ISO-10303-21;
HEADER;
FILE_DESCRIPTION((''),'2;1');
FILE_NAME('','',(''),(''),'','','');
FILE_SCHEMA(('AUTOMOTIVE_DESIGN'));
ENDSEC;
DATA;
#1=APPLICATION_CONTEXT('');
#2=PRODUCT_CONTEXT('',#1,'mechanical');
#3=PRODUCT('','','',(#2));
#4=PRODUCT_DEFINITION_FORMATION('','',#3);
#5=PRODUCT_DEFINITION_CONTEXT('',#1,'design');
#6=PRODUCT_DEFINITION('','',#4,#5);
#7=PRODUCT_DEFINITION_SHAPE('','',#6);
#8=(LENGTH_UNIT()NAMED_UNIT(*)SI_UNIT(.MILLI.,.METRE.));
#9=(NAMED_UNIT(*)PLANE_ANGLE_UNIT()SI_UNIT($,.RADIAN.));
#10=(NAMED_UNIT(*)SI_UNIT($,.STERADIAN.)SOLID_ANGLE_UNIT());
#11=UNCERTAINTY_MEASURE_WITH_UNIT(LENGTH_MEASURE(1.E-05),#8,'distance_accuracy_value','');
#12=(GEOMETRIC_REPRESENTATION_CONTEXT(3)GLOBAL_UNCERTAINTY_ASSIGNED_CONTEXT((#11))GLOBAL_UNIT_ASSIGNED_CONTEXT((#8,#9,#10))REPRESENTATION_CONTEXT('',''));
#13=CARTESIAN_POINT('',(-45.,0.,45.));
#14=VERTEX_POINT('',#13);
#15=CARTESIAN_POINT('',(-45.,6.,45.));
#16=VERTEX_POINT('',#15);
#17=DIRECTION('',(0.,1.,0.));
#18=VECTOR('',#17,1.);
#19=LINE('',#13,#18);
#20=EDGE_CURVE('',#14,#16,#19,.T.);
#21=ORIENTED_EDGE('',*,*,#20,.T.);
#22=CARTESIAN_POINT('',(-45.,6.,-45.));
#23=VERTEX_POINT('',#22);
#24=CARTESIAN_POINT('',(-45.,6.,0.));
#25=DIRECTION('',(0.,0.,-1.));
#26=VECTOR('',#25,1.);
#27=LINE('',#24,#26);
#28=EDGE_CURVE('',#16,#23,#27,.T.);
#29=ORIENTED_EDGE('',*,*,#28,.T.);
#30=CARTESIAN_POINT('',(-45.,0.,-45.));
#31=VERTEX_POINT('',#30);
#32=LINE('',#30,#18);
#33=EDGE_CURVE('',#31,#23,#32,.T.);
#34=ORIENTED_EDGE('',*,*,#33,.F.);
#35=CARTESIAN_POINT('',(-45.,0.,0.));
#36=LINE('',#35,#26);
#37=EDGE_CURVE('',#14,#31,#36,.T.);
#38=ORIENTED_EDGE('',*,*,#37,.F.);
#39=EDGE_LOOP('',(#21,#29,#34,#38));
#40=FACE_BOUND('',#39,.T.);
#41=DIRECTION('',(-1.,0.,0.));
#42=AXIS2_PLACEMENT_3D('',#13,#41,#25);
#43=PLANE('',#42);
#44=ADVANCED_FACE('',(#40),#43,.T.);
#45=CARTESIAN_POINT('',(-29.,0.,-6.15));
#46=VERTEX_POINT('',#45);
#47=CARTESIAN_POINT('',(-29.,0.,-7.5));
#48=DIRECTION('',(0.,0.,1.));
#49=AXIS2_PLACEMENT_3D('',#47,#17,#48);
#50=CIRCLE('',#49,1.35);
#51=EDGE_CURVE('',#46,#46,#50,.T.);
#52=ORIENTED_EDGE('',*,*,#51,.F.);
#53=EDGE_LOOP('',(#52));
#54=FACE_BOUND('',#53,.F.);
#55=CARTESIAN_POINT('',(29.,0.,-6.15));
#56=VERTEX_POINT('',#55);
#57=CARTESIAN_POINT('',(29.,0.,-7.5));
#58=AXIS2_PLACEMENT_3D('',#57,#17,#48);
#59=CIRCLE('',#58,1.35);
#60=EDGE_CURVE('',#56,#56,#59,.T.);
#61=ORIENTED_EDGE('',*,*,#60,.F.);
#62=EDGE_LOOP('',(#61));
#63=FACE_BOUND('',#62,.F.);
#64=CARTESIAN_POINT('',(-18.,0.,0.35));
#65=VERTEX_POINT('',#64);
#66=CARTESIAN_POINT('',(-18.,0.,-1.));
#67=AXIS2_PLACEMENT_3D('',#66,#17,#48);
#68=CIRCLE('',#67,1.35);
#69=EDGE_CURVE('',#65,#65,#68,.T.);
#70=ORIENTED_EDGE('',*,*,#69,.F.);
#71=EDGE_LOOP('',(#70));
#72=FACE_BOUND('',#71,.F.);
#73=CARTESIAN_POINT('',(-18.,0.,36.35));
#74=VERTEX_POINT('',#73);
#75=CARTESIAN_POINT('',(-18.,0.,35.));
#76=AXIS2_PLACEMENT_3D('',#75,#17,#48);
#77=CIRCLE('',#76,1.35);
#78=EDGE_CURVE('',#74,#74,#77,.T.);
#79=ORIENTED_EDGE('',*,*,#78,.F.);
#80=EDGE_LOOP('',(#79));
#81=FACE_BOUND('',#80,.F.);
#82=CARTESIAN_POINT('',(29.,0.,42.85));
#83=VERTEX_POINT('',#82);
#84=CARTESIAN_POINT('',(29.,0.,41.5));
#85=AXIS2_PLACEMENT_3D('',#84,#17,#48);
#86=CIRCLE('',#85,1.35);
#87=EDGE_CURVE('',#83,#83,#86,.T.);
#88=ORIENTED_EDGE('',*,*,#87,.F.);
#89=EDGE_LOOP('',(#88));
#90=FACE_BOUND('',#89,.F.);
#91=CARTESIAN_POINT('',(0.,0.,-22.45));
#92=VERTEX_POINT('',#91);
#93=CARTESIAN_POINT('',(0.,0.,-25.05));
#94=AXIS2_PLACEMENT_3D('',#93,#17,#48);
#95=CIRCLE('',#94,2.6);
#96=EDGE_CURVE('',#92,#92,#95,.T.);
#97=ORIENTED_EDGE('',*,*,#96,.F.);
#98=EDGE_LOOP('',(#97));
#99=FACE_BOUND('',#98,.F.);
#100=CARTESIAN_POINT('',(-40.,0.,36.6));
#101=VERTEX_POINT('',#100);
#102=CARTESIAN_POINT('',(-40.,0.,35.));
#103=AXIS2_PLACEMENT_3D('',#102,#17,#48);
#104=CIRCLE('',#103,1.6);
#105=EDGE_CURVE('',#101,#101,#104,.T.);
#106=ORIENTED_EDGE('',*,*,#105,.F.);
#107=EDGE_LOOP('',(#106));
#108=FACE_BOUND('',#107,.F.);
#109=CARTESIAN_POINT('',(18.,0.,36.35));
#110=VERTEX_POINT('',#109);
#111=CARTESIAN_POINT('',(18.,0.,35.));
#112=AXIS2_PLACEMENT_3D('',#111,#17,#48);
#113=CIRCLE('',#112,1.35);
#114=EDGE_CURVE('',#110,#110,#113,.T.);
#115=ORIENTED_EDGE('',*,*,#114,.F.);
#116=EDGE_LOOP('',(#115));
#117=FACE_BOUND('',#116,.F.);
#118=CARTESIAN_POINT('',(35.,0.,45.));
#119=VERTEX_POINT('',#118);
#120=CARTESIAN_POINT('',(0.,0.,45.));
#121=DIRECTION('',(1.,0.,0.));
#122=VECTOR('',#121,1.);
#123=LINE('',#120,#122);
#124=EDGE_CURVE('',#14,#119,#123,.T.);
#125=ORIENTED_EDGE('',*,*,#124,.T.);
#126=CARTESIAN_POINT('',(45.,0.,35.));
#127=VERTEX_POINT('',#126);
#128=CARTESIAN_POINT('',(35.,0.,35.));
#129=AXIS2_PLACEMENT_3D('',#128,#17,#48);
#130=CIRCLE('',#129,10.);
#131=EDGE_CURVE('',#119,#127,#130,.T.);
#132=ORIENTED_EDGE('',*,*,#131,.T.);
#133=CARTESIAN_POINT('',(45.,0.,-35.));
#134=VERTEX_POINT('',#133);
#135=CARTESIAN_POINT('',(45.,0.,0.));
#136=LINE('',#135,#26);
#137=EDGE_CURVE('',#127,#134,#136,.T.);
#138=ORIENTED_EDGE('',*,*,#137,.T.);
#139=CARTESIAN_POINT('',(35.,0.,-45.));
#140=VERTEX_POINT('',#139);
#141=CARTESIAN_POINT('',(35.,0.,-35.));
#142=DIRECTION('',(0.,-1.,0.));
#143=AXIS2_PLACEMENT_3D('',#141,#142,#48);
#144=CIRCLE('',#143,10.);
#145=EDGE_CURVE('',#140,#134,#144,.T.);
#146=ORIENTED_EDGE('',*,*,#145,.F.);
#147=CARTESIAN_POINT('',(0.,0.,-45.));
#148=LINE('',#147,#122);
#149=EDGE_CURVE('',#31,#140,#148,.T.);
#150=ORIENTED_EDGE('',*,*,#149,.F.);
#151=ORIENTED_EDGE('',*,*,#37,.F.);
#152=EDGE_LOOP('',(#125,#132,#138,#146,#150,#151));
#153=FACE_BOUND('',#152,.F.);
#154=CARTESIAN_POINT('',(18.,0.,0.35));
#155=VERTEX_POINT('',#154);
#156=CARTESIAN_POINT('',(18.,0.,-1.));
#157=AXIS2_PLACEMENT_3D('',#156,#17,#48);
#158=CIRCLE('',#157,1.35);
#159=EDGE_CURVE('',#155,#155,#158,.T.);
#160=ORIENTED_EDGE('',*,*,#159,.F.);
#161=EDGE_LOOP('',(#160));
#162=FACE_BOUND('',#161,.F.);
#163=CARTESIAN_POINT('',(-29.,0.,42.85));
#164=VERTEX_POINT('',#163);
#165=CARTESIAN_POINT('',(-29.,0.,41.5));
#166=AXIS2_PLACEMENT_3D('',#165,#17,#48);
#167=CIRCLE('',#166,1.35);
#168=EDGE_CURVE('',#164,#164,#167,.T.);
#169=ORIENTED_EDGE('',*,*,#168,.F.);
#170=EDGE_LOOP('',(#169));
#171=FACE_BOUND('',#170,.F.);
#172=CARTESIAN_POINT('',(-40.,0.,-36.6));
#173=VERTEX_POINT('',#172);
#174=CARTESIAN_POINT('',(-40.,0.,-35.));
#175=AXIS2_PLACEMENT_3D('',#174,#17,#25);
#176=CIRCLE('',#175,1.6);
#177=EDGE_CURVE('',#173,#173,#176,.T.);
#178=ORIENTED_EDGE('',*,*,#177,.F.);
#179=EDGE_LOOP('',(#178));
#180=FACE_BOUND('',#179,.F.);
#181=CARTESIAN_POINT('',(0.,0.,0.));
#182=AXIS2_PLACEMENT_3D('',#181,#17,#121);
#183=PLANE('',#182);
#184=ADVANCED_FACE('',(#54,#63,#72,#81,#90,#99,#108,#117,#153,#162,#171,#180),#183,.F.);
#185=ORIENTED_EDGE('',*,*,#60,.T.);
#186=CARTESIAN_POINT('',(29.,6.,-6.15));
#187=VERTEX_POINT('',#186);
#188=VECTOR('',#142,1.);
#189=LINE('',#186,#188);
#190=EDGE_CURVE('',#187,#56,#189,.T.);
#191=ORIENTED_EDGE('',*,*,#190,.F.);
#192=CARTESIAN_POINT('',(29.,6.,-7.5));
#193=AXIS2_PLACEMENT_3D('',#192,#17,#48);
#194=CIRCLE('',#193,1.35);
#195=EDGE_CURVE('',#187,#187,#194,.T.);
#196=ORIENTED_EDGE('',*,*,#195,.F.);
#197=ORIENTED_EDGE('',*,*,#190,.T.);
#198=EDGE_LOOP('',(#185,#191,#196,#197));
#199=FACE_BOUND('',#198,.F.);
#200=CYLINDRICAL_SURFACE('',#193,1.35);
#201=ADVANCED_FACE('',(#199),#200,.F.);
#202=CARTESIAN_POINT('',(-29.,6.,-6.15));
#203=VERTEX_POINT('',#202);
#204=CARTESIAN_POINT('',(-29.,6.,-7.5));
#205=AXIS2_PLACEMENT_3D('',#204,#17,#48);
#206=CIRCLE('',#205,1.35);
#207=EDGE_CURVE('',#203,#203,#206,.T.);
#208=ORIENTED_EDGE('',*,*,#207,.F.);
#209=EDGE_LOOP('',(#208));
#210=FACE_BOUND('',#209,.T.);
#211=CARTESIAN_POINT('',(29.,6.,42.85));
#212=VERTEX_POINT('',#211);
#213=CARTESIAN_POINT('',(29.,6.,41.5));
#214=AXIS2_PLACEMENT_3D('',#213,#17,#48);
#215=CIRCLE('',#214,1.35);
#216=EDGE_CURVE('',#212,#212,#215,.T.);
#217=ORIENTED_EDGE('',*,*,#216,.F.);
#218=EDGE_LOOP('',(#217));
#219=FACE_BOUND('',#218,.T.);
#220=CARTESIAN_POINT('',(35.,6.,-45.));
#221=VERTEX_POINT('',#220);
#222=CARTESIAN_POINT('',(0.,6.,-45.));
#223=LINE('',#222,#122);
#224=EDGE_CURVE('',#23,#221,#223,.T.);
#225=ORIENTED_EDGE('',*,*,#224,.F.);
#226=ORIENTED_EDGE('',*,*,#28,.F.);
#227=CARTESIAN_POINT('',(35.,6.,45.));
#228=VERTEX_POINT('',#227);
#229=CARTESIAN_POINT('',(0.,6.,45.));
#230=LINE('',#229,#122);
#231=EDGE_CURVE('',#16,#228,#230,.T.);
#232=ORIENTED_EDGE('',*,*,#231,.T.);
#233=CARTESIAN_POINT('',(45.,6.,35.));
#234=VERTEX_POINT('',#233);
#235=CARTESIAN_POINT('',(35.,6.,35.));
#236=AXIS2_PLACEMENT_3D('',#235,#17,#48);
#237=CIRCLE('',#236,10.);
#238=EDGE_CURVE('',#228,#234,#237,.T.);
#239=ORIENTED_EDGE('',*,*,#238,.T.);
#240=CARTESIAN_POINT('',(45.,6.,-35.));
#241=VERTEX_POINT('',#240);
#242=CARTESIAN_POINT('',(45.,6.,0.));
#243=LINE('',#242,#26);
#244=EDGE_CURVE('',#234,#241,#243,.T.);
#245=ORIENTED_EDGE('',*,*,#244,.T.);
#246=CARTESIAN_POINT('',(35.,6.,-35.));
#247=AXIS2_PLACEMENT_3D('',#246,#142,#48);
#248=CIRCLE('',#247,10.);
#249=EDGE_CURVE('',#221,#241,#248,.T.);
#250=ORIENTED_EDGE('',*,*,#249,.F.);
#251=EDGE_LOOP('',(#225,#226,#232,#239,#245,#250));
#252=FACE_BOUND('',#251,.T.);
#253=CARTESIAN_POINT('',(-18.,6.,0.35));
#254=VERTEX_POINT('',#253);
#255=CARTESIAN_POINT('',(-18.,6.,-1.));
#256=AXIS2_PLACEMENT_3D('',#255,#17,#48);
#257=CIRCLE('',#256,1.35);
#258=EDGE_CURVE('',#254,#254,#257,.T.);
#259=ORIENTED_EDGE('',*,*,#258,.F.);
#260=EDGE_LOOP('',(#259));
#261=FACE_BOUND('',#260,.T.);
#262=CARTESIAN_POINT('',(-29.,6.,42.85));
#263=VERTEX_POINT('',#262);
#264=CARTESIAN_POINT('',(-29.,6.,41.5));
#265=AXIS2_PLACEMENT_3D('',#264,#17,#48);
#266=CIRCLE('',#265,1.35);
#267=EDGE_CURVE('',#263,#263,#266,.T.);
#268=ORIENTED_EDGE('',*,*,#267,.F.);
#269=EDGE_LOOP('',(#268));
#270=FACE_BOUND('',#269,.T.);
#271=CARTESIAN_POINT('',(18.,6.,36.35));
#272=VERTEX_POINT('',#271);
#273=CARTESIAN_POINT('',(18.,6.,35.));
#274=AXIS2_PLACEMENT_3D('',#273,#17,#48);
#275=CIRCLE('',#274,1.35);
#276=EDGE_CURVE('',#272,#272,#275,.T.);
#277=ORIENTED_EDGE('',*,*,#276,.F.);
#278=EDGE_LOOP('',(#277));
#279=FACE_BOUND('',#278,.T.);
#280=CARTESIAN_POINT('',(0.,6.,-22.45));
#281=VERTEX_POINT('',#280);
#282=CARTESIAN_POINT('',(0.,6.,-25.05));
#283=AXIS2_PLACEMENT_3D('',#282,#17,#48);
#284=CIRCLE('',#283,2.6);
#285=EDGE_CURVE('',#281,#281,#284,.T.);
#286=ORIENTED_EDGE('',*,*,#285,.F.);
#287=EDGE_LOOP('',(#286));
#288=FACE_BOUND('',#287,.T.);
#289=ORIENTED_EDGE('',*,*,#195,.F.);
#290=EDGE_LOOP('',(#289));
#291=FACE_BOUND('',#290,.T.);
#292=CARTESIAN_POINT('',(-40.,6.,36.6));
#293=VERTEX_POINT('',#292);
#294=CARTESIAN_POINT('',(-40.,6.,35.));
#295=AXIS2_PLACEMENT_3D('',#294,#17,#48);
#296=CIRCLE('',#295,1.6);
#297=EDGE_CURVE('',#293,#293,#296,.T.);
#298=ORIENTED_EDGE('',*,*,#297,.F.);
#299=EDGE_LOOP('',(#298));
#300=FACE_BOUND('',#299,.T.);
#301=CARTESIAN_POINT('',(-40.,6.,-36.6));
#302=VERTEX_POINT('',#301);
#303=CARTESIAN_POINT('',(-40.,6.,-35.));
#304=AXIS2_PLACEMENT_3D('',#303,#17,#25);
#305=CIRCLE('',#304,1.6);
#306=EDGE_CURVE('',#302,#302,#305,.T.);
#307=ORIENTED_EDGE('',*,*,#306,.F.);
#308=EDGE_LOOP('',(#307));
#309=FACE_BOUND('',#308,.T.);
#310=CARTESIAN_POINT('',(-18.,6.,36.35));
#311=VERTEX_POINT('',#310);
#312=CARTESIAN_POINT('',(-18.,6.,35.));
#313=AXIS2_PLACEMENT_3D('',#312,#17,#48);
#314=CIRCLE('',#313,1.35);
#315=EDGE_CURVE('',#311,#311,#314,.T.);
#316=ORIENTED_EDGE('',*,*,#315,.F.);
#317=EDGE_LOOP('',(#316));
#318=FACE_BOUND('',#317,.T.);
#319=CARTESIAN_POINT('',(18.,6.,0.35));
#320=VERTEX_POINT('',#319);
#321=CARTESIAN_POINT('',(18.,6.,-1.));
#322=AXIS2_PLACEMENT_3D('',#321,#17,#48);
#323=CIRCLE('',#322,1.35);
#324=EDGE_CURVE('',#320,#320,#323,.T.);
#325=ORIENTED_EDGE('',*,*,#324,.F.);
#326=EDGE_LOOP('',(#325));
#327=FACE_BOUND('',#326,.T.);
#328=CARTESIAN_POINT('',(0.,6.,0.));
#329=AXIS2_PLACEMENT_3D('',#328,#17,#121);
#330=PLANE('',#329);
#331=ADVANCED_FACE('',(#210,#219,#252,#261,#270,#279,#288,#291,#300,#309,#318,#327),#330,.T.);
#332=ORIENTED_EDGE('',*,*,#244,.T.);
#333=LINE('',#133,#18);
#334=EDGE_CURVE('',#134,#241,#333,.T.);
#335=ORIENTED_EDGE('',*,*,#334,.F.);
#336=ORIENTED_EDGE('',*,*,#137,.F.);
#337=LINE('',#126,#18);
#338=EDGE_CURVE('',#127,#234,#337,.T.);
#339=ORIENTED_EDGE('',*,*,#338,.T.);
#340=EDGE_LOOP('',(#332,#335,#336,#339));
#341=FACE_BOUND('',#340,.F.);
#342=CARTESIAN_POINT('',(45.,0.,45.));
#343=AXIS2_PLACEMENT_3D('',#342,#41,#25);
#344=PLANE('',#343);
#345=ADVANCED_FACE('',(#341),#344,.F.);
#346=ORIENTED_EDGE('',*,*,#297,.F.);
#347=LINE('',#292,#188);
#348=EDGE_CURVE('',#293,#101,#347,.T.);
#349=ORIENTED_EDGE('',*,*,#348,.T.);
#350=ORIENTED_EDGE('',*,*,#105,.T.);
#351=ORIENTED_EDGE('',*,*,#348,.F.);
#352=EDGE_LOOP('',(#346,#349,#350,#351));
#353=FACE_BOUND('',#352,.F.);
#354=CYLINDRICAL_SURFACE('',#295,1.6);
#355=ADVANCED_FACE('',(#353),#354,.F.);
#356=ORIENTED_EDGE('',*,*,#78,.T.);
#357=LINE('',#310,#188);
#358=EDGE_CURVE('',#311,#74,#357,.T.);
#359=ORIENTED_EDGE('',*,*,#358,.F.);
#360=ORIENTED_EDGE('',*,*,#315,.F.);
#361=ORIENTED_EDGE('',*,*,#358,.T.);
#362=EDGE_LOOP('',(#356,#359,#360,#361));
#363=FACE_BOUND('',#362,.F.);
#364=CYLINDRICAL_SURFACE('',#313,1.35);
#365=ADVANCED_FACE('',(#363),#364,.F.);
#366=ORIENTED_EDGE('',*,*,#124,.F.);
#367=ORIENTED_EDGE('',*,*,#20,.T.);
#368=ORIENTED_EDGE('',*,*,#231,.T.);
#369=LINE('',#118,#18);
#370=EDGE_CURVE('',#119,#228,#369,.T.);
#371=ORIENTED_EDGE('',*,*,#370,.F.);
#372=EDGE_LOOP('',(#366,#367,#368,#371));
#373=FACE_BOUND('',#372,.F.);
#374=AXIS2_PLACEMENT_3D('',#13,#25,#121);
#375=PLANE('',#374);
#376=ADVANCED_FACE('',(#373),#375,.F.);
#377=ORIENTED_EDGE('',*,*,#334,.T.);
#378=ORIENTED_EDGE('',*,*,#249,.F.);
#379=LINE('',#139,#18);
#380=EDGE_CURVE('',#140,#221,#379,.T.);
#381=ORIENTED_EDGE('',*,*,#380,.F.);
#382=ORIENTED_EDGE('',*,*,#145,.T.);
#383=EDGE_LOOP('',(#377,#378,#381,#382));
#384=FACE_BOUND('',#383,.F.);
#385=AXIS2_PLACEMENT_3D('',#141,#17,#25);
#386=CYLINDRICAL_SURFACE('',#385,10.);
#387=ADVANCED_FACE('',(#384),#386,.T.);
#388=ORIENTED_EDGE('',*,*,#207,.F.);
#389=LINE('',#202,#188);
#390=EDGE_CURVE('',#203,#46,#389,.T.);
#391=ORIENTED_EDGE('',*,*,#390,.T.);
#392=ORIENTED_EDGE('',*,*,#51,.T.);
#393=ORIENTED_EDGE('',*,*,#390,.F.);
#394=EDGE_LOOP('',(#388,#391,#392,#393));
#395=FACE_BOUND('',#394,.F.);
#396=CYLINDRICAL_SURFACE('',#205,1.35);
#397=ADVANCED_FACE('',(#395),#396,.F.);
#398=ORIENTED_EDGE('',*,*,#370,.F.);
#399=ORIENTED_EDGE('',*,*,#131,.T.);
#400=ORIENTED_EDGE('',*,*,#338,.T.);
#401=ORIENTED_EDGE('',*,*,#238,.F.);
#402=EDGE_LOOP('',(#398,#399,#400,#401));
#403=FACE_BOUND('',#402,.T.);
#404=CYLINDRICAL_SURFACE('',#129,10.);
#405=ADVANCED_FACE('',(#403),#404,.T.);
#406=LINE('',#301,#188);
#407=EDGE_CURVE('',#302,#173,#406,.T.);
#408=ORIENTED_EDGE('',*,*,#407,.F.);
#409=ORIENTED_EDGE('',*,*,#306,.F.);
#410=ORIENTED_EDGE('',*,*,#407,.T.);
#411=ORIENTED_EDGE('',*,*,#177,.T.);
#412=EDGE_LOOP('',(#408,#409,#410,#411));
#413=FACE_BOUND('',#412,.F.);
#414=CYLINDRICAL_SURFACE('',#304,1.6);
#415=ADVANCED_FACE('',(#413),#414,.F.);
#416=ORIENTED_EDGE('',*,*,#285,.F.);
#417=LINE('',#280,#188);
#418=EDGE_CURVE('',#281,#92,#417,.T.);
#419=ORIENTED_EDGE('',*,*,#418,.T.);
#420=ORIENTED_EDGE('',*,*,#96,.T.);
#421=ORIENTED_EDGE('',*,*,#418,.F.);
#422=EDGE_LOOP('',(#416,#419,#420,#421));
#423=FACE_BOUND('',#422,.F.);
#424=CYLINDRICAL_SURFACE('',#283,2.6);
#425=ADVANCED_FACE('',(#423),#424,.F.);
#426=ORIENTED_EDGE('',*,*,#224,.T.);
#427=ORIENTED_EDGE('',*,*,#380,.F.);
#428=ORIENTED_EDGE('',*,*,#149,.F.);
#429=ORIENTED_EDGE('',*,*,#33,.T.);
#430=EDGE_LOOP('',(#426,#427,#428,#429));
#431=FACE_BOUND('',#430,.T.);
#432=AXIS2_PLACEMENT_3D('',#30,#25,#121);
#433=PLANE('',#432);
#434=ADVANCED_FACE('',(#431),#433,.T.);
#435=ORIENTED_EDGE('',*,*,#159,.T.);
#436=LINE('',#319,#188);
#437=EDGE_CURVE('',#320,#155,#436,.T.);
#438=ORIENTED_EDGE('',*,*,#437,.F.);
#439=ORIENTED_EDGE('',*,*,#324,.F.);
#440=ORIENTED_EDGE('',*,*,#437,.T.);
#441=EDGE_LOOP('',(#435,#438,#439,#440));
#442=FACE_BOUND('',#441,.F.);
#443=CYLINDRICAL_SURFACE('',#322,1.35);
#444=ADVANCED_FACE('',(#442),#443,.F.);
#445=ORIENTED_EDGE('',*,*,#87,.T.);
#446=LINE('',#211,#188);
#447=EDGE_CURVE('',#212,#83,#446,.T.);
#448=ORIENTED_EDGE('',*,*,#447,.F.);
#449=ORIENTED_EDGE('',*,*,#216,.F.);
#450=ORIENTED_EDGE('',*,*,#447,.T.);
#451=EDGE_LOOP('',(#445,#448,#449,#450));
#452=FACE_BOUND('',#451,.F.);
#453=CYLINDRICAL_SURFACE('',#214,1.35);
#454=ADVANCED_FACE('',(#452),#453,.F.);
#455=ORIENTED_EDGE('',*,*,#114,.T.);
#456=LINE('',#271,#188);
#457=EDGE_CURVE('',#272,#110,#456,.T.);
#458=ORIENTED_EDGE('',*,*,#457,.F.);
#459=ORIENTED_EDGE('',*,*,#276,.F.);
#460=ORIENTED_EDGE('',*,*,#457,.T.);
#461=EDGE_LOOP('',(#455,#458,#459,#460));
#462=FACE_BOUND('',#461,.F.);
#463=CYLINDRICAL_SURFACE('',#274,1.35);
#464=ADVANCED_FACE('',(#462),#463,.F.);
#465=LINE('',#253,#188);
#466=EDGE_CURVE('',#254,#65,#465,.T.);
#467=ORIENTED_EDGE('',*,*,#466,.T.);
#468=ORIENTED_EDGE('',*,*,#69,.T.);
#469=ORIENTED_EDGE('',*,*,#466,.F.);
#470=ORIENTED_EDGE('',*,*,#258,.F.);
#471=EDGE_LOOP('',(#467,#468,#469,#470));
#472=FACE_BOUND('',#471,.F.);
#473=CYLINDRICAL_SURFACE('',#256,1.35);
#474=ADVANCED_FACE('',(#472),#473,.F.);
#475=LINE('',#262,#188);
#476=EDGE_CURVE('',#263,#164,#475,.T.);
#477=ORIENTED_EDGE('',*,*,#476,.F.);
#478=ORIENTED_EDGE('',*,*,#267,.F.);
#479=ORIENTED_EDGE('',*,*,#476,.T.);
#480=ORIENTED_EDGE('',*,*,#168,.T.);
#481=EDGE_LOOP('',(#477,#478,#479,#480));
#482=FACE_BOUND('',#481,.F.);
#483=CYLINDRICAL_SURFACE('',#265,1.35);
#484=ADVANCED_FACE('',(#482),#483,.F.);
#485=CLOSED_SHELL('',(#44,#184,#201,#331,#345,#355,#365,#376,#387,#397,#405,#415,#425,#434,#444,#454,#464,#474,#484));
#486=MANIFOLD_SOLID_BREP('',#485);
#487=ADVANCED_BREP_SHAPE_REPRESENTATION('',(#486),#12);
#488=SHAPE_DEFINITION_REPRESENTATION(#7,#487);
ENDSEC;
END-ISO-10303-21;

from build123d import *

# Parameters (mm, degrees)
SKETCH_1_W          = 90
SKETCH_1_H          = 90
EXTRUDE_1_DEPTH     = 6
SKETCH_2_R          = 1.35
CUT_EXTRUDE_1_DEPTH = 6
SKETCH_3_R          = 2.6
CUT_EXTRUDE_2_DEPTH = 6
SKETCH_4_R          = 1.6
CUT_EXTRUDE_3_DEPTH = 6
FILLET_1_R          = 10


with BuildPart() as part:
    # 草图1 → 凸台-拉伸1 (new body)
    with BuildSketch(Plane(origin=(0, 0, 0), x_dir=(1, 0, 0), z_dir=(0, 1, 0))):
        Rectangle(SKETCH_1_W, SKETCH_1_H)
    extrude(amount=EXTRUDE_1_DEPTH)

    # 草图2 → 切除-拉伸1 (cut)
    with BuildSketch(Plane(origin=(0, 6, 0), x_dir=(1, 0, 0), z_dir=(0, 1, 0))):
        with Locations(Location((-29, 7.5, 0), (0, 0, 270))):
            Circle(SKETCH_2_R)
        with Locations(Location((-29, -41.5, 0), (0, 0, 270))):
            Circle(SKETCH_2_R)
        with Locations(Location((-18, 1, 0), (0, 0, 270))):
            Circle(SKETCH_2_R)
        with Locations(Location((-18, -35, 0), (0, 0, 270))):
            Circle(SKETCH_2_R)
        with Locations(Location((18, -35, 0), (0, 0, 270))):
            Circle(SKETCH_2_R)
        with Locations(Location((29, -41.5, 0), (0, 0, 270))):
            Circle(SKETCH_2_R)
        with Locations(Location((18, 1, 0), (0, 0, 270))):
            Circle(SKETCH_2_R)
        with Locations(Location((29, 7.5, 0), (0, 0, 270))):
            Circle(SKETCH_2_R)
    extrude(amount=-CUT_EXTRUDE_1_DEPTH, mode=Mode.SUBTRACT)

    # 草图3 → 切除-拉伸2 (cut)
    with BuildSketch(Plane(origin=(0, 6, 0), x_dir=(1, 0, 0), z_dir=(0, 1, 0))):
        with Locations(Location((0, 25.05, 0), (0, 0, 270))):
            Circle(SKETCH_3_R)
    extrude(amount=-CUT_EXTRUDE_2_DEPTH, mode=Mode.SUBTRACT)

    # 草图4 → 切除-拉伸3 (cut)
    with BuildSketch(Plane(origin=(0, 6, 0), x_dir=(1, 0, 0), z_dir=(0, 1, 0))):
        with Locations(Location((-40, -35, 0), (0, 0, 270))):
            Circle(SKETCH_4_R)
        with Locations(Location((-40, 35, 0), (0, 0, 90))):
            Circle(SKETCH_4_R)
    extrude(amount=-CUT_EXTRUDE_3_DEPTH, mode=Mode.SUBTRACT)

    # 圆角1
    fillet_1_edges = [part.edges().sort_by_distance(p)[0] for p in [
        (45, 3, 45),
        (45, 3, -45),
    ]]
    fillet(fillet_1_edges, radius=FILLET_1_R)


solid = part.part
